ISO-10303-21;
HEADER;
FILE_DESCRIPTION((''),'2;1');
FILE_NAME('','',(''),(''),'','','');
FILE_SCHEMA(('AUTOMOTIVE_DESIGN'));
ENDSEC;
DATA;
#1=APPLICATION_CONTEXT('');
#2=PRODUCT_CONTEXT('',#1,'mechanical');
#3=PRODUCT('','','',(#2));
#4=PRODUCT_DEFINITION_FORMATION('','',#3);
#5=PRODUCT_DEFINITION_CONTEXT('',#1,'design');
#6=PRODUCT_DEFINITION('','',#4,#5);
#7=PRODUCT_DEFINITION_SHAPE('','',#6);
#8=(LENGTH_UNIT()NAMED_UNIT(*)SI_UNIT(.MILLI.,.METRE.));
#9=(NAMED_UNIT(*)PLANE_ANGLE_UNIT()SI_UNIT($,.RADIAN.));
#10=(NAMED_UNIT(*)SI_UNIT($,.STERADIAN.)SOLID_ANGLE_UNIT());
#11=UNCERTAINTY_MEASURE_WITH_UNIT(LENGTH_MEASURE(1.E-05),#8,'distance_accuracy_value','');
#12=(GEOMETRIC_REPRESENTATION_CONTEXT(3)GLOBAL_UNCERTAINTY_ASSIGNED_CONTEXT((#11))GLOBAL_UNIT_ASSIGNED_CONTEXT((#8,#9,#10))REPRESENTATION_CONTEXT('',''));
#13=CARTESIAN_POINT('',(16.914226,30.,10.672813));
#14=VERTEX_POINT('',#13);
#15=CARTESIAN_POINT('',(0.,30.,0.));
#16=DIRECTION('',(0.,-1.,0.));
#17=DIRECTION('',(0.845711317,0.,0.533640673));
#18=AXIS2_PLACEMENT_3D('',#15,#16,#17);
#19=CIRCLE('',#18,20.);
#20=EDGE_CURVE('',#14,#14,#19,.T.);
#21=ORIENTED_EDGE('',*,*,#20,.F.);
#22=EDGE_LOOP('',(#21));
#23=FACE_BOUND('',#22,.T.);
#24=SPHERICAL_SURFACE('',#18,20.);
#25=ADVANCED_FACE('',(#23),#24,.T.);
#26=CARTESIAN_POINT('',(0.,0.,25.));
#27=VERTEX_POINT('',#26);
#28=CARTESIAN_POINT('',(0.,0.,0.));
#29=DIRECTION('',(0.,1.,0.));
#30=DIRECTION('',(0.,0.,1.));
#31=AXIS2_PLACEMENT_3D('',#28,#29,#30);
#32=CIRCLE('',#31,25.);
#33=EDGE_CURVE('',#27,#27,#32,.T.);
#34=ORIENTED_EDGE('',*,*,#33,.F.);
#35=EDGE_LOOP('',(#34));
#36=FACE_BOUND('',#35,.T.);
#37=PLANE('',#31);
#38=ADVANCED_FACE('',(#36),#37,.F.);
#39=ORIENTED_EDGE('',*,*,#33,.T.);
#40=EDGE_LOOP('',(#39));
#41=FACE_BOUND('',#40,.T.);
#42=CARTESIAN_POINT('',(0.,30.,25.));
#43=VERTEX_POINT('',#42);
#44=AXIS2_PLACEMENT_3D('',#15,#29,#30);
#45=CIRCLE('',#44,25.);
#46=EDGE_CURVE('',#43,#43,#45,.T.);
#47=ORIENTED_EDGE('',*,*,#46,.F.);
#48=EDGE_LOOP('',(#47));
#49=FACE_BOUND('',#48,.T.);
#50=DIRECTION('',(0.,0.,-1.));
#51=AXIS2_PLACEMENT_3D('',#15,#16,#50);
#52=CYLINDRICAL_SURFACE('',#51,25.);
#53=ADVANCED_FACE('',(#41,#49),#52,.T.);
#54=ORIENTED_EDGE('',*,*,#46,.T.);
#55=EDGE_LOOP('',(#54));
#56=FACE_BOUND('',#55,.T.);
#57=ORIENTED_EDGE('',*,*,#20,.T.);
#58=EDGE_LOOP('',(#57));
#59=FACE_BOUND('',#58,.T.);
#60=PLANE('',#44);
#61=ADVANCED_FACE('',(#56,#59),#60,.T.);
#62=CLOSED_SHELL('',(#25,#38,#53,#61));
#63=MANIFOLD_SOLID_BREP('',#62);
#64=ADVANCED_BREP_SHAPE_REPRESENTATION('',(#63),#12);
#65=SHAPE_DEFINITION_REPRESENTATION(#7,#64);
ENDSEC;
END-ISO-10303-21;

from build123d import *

# Parameters (mm, degrees)
SKETCH1_R           = 25
BOSS_EXTRUDE4_DEPTH = 30
REVOLVE1_ANGLE      = 180


with BuildPart() as part:
    # Sketch1 → Boss-Extrude4 (new body)
    with BuildSketch(Plane(origin=(0, 0, 0), x_dir=(1, 0, 0), z_dir=(0, 1, 0))):
        with Locations(Location((0, 0, 0), (0, 0, 270))):
            Circle(SKETCH1_R)
    extrude(amount=BOSS_EXTRUDE4_DEPTH)

    # Sketch3 → Revolve1 (revolve)
    with BuildSketch(Plane(origin=(0, 30, 0), x_dir=(1, 0, 0), z_dir=(0, 1, 0))):
        with BuildLine():
            Line((-9.657736042, 17.513655659), (9.657736042, -17.513655659))
            ThreePointArc((9.657736042, -17.513655659), (17.513655659, 9.657736042), (-9.657736042, 17.513655659))
        make_face()
    revolve(axis=Axis((-9.657736042, 30, -17.513655659), (0.4828868021164047, 0, 0.8756827829424262)), revolution_arc=REVOLVE1_ANGLE)


solid = part.part
